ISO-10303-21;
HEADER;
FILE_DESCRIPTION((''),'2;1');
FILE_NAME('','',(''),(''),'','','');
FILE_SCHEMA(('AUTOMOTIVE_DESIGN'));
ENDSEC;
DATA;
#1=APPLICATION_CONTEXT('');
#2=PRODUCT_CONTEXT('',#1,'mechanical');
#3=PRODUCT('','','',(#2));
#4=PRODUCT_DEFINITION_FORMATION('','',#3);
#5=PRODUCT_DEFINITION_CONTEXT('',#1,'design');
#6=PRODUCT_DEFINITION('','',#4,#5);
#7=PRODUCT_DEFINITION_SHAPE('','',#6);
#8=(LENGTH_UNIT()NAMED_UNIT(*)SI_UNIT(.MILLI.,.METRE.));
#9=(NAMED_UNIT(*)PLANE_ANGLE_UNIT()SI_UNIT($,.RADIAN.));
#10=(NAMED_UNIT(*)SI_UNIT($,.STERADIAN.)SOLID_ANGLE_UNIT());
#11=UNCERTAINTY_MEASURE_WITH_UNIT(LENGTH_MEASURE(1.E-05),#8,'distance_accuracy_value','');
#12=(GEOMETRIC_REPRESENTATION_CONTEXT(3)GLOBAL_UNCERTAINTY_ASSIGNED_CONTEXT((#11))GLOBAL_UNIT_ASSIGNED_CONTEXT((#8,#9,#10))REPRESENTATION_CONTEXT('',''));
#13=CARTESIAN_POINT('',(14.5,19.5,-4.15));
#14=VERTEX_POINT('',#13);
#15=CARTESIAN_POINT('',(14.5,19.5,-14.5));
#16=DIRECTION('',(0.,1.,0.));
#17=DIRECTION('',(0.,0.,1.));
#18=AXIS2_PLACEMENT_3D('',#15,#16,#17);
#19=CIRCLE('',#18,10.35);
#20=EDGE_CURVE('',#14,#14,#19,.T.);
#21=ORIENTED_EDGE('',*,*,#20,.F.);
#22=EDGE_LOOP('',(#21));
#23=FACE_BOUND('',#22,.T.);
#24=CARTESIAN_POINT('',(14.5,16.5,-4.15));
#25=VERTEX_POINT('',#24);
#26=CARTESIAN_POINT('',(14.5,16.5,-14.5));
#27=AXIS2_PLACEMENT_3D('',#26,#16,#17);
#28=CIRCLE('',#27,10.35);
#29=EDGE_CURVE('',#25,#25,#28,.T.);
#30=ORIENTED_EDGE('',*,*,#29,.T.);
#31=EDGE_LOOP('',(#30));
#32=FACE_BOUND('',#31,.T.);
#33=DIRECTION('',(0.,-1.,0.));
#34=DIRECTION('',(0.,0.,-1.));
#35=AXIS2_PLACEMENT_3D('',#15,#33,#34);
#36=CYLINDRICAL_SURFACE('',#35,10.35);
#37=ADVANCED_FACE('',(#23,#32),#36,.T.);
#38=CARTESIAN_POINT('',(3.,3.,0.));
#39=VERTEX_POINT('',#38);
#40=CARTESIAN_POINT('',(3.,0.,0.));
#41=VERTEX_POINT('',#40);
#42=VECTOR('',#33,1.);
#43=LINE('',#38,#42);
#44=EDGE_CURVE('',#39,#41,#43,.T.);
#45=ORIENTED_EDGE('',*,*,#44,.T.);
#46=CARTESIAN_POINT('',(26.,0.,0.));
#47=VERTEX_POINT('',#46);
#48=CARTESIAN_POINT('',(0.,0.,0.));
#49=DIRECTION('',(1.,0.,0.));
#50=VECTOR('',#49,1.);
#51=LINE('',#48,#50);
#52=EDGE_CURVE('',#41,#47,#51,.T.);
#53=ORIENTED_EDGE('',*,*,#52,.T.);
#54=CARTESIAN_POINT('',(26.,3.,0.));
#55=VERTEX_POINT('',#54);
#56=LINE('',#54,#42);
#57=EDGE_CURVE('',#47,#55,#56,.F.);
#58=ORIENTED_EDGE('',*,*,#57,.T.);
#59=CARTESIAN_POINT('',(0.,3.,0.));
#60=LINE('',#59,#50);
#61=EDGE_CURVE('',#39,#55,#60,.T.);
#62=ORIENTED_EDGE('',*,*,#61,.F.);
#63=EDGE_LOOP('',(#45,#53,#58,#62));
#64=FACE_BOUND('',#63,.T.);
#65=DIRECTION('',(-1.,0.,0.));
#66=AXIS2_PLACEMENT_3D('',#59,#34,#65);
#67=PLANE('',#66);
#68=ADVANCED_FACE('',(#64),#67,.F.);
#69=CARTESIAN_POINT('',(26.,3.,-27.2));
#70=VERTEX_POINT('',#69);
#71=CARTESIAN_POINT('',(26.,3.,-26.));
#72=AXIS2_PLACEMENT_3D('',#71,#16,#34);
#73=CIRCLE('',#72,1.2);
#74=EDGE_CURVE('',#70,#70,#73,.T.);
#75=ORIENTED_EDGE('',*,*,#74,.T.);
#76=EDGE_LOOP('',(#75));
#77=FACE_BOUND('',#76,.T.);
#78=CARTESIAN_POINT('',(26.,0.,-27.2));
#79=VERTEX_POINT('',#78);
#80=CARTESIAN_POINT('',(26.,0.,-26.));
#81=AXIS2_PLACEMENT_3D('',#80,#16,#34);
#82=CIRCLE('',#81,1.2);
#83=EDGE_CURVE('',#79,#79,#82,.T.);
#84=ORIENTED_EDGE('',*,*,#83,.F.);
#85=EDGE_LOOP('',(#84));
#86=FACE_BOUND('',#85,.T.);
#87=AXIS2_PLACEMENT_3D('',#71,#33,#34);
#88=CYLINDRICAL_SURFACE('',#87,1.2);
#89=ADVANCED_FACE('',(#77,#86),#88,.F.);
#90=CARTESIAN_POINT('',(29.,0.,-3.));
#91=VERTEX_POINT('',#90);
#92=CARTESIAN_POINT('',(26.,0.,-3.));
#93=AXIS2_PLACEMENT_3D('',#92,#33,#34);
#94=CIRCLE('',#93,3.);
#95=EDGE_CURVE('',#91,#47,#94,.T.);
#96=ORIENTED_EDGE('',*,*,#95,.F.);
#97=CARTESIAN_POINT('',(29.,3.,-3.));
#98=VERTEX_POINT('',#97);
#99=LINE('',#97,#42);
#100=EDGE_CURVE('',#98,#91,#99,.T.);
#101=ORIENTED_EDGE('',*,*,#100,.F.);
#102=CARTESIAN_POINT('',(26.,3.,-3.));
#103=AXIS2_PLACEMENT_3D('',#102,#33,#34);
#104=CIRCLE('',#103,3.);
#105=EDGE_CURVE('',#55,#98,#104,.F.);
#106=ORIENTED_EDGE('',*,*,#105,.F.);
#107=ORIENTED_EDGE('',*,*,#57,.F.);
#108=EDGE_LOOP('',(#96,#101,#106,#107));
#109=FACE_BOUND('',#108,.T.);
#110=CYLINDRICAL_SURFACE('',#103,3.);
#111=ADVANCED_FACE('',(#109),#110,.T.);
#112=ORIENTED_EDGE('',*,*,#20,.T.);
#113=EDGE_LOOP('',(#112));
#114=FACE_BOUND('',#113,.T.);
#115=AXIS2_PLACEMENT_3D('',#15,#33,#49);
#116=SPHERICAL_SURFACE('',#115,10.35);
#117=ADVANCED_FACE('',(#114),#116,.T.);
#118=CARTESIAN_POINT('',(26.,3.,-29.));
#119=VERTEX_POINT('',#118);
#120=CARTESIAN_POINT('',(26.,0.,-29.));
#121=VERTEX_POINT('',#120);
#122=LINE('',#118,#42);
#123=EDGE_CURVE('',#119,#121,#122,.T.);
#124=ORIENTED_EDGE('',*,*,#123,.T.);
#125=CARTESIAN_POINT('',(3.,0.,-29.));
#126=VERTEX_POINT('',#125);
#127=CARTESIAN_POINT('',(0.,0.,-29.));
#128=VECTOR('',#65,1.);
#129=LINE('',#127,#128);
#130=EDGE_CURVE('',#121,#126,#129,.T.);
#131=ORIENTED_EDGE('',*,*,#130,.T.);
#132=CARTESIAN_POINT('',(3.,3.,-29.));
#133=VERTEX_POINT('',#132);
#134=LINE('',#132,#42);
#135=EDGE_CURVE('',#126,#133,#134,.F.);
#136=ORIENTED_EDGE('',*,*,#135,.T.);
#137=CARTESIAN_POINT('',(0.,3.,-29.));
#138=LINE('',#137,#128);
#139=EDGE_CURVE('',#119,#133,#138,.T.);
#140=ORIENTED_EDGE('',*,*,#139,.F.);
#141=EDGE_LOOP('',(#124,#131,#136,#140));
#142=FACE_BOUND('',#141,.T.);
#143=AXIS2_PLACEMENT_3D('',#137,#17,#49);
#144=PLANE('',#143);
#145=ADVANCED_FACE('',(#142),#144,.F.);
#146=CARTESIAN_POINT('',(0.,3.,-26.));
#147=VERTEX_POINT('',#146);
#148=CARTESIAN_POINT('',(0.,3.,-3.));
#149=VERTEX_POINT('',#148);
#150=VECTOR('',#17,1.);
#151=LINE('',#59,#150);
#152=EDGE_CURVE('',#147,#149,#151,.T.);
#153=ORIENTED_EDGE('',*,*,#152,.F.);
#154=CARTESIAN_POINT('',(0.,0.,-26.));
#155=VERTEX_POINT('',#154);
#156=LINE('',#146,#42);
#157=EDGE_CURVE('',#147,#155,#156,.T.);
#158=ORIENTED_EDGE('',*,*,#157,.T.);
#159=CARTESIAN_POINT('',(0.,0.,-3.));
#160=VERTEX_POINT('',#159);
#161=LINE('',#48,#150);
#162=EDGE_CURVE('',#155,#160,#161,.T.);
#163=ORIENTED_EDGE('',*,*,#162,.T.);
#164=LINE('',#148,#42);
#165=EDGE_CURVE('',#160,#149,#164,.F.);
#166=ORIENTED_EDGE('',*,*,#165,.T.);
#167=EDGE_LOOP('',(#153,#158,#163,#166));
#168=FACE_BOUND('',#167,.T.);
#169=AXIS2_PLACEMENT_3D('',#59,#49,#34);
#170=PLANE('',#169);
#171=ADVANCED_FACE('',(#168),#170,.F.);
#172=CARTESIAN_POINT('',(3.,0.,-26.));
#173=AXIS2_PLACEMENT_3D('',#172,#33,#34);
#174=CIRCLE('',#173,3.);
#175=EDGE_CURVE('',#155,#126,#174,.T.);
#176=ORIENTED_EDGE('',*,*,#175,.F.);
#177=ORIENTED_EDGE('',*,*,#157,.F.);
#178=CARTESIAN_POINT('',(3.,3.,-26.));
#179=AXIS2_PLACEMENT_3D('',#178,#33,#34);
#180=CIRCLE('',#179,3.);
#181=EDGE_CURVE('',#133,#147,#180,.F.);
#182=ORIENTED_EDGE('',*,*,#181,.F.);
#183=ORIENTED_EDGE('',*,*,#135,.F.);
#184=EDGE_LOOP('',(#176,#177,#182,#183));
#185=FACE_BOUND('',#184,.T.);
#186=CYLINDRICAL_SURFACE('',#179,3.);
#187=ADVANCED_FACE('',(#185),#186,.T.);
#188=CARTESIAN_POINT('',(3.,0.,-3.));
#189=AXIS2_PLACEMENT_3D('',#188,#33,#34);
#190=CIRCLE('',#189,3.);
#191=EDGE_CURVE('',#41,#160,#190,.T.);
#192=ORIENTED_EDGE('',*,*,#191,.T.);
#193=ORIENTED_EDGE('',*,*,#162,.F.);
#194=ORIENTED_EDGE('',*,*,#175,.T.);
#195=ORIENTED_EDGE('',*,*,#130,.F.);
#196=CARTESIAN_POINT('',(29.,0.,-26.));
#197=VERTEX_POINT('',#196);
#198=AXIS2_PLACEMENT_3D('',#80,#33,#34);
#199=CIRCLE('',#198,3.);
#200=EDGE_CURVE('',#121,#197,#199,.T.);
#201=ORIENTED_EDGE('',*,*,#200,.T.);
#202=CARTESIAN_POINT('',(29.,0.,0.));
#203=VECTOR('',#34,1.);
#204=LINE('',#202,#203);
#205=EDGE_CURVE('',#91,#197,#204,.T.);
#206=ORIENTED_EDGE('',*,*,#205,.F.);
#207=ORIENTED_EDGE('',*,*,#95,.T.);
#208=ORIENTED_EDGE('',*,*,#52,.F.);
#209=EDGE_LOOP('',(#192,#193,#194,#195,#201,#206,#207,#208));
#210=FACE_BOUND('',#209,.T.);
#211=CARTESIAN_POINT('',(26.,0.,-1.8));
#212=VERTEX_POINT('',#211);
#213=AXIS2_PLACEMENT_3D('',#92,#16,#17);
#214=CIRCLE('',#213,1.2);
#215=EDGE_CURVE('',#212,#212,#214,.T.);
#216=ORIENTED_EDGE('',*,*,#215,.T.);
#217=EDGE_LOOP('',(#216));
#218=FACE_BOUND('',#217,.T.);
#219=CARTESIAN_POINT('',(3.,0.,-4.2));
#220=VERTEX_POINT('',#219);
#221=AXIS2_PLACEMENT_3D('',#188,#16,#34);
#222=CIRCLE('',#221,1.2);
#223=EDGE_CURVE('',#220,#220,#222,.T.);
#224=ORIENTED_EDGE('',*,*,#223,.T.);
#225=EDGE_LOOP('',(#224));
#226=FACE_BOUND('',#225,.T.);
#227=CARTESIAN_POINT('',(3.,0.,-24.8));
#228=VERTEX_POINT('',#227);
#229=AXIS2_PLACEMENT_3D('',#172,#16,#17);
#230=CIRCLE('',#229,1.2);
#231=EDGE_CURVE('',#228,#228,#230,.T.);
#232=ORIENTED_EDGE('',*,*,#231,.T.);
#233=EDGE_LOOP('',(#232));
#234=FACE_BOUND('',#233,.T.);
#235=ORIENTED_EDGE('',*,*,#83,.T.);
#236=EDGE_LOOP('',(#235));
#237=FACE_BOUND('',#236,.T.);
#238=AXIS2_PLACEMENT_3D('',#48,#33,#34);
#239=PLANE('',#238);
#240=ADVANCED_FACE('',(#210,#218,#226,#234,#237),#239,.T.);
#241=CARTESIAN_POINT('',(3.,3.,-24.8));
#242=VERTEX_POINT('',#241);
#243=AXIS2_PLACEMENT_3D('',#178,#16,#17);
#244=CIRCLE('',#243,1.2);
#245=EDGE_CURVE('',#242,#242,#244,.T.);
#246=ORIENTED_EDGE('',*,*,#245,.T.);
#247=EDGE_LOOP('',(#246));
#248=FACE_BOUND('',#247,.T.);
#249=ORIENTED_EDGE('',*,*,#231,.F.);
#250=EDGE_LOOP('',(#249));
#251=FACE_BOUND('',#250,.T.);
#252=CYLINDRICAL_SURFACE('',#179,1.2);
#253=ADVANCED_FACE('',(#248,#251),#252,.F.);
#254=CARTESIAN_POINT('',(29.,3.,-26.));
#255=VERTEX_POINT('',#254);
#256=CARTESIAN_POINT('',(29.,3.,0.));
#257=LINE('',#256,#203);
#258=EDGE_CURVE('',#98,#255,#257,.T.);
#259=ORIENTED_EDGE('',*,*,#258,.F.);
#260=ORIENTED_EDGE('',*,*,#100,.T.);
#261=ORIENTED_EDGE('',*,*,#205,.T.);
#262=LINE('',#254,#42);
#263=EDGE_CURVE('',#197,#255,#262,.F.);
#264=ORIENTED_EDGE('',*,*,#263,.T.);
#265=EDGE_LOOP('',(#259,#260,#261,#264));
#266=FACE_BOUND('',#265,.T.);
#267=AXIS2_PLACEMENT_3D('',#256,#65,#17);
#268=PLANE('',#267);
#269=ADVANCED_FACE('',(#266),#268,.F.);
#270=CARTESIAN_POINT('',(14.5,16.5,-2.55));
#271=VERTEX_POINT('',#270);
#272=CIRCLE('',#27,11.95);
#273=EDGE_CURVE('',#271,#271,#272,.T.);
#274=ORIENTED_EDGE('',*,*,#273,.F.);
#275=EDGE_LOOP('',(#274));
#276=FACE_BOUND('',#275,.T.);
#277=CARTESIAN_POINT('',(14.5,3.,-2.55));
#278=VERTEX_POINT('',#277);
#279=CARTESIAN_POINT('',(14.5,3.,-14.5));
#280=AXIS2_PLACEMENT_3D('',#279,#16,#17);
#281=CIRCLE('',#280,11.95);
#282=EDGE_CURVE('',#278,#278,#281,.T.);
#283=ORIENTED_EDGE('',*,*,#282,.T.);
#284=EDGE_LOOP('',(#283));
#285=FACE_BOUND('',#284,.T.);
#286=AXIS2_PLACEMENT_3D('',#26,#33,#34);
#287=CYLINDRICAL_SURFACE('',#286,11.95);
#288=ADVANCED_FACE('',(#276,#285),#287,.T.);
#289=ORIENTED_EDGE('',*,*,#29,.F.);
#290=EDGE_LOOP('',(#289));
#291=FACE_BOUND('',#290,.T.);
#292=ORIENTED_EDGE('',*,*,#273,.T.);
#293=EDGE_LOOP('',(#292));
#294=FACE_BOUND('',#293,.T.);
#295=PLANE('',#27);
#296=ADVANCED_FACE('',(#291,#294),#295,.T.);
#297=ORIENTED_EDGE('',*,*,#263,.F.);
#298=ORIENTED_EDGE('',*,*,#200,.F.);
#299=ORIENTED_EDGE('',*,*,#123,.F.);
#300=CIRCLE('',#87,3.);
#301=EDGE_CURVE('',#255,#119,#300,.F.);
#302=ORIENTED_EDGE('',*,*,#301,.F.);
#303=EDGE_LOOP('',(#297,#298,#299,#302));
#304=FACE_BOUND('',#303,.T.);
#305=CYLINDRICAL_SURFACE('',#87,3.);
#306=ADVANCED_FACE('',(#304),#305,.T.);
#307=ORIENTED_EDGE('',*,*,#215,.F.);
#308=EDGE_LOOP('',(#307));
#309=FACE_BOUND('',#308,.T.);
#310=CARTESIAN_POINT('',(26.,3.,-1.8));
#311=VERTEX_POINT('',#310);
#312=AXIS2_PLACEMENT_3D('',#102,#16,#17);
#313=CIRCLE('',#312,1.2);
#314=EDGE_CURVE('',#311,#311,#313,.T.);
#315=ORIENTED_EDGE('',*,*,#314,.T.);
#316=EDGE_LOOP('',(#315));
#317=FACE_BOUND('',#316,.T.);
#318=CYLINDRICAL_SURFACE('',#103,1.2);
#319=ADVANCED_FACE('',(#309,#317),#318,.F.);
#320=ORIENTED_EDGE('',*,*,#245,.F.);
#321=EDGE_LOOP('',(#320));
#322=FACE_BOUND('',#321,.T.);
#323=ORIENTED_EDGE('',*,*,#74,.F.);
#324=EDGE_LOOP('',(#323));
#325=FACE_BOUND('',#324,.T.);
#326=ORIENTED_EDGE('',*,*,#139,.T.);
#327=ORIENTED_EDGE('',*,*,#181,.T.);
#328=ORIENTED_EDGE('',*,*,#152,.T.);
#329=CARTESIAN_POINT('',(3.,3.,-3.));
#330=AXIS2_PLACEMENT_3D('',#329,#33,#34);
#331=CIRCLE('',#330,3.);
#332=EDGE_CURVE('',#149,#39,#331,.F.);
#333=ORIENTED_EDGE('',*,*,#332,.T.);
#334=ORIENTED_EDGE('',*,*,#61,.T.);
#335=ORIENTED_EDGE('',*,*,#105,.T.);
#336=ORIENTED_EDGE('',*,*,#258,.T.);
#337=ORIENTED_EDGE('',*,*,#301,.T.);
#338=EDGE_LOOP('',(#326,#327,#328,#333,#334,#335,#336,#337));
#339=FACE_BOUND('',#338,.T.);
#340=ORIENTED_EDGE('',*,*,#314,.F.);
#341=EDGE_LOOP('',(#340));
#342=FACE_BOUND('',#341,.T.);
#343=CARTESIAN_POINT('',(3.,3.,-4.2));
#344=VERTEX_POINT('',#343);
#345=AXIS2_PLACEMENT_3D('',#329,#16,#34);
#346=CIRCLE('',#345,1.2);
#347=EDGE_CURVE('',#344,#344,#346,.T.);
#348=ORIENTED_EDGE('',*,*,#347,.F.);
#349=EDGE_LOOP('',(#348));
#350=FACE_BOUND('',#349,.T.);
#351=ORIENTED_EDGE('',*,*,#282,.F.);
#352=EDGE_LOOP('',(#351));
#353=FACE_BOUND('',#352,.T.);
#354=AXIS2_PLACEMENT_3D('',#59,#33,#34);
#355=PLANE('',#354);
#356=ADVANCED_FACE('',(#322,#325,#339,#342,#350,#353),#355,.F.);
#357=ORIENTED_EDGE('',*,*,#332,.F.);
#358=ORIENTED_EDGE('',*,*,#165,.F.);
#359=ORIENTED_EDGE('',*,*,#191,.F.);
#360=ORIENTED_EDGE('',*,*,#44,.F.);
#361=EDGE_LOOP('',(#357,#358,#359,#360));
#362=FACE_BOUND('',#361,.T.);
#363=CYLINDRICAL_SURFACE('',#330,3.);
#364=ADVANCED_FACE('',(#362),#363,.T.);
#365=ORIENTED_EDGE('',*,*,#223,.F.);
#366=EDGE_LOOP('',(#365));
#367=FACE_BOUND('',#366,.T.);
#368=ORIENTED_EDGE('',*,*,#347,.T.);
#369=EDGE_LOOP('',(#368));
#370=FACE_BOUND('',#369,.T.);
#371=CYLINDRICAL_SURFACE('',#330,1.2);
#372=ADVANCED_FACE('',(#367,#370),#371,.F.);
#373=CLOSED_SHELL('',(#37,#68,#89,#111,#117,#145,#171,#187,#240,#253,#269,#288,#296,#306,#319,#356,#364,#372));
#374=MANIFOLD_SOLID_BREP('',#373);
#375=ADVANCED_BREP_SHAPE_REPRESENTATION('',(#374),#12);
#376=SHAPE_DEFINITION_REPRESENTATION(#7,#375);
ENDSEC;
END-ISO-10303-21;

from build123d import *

# Parameters (mm, degrees)
SKETCH1_W           = 29
SKETCH1_H           = 29
SKETCH1_R           = 1.2
BOSS_EXTRUDE1_DEPTH = 3
FILLET1_R           = 3
SKETCH2_R           = 11.95
BOSS_EXTRUDE2_DEPTH = 13.5
SKETCH3_R           = 10.35
BOSS_EXTRUDE3_DEPTH = 3


with BuildPart() as part:
    # Sketch1 → Boss-Extrude1 (new body)
    with BuildSketch(Plane(origin=(0, 0, 0), x_dir=(1, 0, 0), z_dir=(0, 1, 0))):
        with Locations((14.5, 14.5)):
            Rectangle(SKETCH1_W, SKETCH1_H)
        with Locations((3, 26)):
            Circle(SKETCH1_R, mode=Mode.SUBTRACT)
        with Locations((26, 26)):
            Circle(SKETCH1_R, mode=Mode.SUBTRACT)
        with Locations((26, 3)):
            Circle(SKETCH1_R, mode=Mode.SUBTRACT)
        with Locations((3, 3)):
            Circle(SKETCH1_R, mode=Mode.SUBTRACT)
    extrude(amount=BOSS_EXTRUDE1_DEPTH)

    # Fillet1
    fillet1_edges = [part.edges().sort_by_distance(p)[0] for p in [
        (0, 1.5, -29),
        (29, 1.5, -29),
        (29, 1.5, 0),
        (0, 1.5, 0),
    ]]
    fillet(fillet1_edges, radius=FILLET1_R)

    # Sketch2 → Boss-Extrude2 (add)
    with BuildSketch(Plane(origin=(0, 3, 0), x_dir=(1, 0, 0), z_dir=(0, 1, 0))):
        with Locations((14.5, 14.5)):
            Circle(SKETCH2_R)
    extrude(amount=BOSS_EXTRUDE2_DEPTH)

    # Sketch3 → Boss-Extrude3 (add)
    with BuildSketch(Plane(origin=(0, 16.5, 0), x_dir=(1, 0, 0), z_dir=(0, 1, 0))):
        with Locations((14.5, 14.5)):
            Circle(SKETCH3_R)
    extrude(amount=BOSS_EXTRUDE3_DEPTH)

    # Sketch4 → Revolve1 (revolve)
    with BuildSketch(Plane.XY.offset(-14.5)):
        with BuildLine():
            Line((14.5, 19.5), (14.5, 29.85))
            ThreePointArc((14.5, 29.85), (21.818555185, 26.818555185), (24.85, 19.5))
            Line((24.85, 19.5), (14.5, 19.5))
        make_face()
    revolve(axis=Axis((14.5, 19.5, -14.5), (0, 1, 0)))


solid = part.part
